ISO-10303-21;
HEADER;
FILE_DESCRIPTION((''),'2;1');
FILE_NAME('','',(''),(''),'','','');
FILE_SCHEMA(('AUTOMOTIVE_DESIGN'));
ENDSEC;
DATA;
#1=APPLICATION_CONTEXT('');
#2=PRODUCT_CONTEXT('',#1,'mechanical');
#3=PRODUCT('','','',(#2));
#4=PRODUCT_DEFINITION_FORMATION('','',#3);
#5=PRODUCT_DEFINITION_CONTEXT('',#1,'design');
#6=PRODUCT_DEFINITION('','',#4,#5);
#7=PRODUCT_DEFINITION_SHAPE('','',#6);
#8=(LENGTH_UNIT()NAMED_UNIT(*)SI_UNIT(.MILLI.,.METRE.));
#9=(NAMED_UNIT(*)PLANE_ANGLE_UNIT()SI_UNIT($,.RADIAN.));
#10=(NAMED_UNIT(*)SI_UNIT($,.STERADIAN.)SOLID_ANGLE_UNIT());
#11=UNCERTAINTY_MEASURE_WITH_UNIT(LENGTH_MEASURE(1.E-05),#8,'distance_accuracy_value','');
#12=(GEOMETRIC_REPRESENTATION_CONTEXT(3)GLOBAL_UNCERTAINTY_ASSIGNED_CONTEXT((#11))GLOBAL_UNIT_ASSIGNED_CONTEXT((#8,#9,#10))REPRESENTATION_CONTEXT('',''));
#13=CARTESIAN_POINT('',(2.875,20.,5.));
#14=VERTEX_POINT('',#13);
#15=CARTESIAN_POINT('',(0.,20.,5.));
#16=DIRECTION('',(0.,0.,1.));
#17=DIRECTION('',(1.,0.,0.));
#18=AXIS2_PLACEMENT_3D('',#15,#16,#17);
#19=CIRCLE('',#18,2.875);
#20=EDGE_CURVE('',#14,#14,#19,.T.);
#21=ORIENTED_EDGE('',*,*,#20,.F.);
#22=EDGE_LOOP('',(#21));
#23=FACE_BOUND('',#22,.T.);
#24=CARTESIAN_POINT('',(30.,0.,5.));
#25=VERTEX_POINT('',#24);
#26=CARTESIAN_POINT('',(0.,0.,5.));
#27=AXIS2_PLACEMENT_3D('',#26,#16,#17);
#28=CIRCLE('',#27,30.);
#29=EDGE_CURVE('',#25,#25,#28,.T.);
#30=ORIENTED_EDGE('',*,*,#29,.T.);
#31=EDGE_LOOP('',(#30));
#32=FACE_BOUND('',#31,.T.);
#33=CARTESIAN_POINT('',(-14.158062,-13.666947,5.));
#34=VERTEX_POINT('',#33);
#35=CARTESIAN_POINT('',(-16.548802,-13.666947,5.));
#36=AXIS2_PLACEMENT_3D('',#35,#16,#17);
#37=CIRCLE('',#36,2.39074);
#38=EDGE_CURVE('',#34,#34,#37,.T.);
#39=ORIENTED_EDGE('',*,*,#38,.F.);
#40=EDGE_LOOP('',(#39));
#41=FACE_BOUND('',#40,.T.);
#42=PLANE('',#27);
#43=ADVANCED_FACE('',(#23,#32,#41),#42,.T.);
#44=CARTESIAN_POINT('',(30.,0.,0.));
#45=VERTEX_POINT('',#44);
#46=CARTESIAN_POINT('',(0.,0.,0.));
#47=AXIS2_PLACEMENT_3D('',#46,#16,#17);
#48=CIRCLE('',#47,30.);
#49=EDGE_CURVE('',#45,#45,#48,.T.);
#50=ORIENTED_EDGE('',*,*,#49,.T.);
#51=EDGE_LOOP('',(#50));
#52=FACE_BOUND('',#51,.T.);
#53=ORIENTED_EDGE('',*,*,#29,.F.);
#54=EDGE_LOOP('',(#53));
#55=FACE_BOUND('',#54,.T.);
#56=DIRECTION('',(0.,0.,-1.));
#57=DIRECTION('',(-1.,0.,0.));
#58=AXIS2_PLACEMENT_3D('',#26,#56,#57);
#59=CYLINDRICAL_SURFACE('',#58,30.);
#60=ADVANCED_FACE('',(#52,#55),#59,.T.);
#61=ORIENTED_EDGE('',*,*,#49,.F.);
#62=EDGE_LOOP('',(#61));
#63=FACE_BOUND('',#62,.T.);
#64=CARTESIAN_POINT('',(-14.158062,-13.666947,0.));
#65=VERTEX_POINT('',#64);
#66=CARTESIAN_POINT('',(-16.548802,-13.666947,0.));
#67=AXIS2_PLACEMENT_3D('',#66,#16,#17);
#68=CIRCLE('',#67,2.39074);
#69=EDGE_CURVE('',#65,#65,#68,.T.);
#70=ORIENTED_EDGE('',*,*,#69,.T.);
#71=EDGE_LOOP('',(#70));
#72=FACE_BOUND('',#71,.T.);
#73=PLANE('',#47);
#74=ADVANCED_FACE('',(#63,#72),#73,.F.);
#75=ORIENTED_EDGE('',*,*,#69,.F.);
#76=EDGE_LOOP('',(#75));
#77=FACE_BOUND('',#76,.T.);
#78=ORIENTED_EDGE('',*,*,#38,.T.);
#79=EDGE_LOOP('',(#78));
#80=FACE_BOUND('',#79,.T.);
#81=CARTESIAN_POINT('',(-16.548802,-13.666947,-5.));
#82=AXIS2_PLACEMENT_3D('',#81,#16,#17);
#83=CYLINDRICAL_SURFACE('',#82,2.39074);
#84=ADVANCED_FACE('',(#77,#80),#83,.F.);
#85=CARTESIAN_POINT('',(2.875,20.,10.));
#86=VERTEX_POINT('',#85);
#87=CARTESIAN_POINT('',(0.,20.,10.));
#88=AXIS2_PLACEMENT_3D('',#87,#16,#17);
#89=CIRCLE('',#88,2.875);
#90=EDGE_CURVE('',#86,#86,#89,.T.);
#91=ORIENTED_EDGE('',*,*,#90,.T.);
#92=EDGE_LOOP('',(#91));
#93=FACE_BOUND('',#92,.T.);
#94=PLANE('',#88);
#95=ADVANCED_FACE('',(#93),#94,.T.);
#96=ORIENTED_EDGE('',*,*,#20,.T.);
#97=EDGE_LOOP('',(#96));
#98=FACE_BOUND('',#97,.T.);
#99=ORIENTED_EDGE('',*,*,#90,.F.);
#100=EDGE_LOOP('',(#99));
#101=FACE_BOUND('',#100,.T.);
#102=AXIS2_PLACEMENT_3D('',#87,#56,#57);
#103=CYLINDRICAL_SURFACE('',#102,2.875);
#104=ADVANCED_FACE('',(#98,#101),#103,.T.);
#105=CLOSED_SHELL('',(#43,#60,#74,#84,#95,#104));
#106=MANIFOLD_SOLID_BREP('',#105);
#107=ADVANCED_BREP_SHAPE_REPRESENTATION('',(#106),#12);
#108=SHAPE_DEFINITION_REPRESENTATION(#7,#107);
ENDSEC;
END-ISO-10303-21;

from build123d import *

# Parameters (mm, degrees)
SKETCH1_R           = 30
BOSS_EXTRUDE1_DEPTH = 5
SKETCH2_R           = 2.875
BOSS_EXTRUDE2_DEPTH = 5
SKETCH3_R           = 2.390739662
CUT_EXTRUDE1_DEPTH  = 10


with BuildPart() as part:
    # Sketch1 → Boss-Extrude1 (new body)
    with BuildSketch(Plane.XY):
        Circle(SKETCH1_R)
    extrude(amount=BOSS_EXTRUDE1_DEPTH)

    # Sketch2 → Boss-Extrude2 (add)
    with BuildSketch(Plane.XY.offset(5)):
        with Locations((0, 20)):
            Circle(SKETCH2_R)
    extrude(amount=BOSS_EXTRUDE2_DEPTH)

    # Sketch3 → Cut-Extrude1 (cut)
    with BuildSketch(Plane.XY.offset(5)):
        with Locations((-16.548801548, -13.666947255)):
            Circle(SKETCH3_R)
    extrude(amount=-CUT_EXTRUDE1_DEPTH, mode=Mode.SUBTRACT)


solid = part.part
